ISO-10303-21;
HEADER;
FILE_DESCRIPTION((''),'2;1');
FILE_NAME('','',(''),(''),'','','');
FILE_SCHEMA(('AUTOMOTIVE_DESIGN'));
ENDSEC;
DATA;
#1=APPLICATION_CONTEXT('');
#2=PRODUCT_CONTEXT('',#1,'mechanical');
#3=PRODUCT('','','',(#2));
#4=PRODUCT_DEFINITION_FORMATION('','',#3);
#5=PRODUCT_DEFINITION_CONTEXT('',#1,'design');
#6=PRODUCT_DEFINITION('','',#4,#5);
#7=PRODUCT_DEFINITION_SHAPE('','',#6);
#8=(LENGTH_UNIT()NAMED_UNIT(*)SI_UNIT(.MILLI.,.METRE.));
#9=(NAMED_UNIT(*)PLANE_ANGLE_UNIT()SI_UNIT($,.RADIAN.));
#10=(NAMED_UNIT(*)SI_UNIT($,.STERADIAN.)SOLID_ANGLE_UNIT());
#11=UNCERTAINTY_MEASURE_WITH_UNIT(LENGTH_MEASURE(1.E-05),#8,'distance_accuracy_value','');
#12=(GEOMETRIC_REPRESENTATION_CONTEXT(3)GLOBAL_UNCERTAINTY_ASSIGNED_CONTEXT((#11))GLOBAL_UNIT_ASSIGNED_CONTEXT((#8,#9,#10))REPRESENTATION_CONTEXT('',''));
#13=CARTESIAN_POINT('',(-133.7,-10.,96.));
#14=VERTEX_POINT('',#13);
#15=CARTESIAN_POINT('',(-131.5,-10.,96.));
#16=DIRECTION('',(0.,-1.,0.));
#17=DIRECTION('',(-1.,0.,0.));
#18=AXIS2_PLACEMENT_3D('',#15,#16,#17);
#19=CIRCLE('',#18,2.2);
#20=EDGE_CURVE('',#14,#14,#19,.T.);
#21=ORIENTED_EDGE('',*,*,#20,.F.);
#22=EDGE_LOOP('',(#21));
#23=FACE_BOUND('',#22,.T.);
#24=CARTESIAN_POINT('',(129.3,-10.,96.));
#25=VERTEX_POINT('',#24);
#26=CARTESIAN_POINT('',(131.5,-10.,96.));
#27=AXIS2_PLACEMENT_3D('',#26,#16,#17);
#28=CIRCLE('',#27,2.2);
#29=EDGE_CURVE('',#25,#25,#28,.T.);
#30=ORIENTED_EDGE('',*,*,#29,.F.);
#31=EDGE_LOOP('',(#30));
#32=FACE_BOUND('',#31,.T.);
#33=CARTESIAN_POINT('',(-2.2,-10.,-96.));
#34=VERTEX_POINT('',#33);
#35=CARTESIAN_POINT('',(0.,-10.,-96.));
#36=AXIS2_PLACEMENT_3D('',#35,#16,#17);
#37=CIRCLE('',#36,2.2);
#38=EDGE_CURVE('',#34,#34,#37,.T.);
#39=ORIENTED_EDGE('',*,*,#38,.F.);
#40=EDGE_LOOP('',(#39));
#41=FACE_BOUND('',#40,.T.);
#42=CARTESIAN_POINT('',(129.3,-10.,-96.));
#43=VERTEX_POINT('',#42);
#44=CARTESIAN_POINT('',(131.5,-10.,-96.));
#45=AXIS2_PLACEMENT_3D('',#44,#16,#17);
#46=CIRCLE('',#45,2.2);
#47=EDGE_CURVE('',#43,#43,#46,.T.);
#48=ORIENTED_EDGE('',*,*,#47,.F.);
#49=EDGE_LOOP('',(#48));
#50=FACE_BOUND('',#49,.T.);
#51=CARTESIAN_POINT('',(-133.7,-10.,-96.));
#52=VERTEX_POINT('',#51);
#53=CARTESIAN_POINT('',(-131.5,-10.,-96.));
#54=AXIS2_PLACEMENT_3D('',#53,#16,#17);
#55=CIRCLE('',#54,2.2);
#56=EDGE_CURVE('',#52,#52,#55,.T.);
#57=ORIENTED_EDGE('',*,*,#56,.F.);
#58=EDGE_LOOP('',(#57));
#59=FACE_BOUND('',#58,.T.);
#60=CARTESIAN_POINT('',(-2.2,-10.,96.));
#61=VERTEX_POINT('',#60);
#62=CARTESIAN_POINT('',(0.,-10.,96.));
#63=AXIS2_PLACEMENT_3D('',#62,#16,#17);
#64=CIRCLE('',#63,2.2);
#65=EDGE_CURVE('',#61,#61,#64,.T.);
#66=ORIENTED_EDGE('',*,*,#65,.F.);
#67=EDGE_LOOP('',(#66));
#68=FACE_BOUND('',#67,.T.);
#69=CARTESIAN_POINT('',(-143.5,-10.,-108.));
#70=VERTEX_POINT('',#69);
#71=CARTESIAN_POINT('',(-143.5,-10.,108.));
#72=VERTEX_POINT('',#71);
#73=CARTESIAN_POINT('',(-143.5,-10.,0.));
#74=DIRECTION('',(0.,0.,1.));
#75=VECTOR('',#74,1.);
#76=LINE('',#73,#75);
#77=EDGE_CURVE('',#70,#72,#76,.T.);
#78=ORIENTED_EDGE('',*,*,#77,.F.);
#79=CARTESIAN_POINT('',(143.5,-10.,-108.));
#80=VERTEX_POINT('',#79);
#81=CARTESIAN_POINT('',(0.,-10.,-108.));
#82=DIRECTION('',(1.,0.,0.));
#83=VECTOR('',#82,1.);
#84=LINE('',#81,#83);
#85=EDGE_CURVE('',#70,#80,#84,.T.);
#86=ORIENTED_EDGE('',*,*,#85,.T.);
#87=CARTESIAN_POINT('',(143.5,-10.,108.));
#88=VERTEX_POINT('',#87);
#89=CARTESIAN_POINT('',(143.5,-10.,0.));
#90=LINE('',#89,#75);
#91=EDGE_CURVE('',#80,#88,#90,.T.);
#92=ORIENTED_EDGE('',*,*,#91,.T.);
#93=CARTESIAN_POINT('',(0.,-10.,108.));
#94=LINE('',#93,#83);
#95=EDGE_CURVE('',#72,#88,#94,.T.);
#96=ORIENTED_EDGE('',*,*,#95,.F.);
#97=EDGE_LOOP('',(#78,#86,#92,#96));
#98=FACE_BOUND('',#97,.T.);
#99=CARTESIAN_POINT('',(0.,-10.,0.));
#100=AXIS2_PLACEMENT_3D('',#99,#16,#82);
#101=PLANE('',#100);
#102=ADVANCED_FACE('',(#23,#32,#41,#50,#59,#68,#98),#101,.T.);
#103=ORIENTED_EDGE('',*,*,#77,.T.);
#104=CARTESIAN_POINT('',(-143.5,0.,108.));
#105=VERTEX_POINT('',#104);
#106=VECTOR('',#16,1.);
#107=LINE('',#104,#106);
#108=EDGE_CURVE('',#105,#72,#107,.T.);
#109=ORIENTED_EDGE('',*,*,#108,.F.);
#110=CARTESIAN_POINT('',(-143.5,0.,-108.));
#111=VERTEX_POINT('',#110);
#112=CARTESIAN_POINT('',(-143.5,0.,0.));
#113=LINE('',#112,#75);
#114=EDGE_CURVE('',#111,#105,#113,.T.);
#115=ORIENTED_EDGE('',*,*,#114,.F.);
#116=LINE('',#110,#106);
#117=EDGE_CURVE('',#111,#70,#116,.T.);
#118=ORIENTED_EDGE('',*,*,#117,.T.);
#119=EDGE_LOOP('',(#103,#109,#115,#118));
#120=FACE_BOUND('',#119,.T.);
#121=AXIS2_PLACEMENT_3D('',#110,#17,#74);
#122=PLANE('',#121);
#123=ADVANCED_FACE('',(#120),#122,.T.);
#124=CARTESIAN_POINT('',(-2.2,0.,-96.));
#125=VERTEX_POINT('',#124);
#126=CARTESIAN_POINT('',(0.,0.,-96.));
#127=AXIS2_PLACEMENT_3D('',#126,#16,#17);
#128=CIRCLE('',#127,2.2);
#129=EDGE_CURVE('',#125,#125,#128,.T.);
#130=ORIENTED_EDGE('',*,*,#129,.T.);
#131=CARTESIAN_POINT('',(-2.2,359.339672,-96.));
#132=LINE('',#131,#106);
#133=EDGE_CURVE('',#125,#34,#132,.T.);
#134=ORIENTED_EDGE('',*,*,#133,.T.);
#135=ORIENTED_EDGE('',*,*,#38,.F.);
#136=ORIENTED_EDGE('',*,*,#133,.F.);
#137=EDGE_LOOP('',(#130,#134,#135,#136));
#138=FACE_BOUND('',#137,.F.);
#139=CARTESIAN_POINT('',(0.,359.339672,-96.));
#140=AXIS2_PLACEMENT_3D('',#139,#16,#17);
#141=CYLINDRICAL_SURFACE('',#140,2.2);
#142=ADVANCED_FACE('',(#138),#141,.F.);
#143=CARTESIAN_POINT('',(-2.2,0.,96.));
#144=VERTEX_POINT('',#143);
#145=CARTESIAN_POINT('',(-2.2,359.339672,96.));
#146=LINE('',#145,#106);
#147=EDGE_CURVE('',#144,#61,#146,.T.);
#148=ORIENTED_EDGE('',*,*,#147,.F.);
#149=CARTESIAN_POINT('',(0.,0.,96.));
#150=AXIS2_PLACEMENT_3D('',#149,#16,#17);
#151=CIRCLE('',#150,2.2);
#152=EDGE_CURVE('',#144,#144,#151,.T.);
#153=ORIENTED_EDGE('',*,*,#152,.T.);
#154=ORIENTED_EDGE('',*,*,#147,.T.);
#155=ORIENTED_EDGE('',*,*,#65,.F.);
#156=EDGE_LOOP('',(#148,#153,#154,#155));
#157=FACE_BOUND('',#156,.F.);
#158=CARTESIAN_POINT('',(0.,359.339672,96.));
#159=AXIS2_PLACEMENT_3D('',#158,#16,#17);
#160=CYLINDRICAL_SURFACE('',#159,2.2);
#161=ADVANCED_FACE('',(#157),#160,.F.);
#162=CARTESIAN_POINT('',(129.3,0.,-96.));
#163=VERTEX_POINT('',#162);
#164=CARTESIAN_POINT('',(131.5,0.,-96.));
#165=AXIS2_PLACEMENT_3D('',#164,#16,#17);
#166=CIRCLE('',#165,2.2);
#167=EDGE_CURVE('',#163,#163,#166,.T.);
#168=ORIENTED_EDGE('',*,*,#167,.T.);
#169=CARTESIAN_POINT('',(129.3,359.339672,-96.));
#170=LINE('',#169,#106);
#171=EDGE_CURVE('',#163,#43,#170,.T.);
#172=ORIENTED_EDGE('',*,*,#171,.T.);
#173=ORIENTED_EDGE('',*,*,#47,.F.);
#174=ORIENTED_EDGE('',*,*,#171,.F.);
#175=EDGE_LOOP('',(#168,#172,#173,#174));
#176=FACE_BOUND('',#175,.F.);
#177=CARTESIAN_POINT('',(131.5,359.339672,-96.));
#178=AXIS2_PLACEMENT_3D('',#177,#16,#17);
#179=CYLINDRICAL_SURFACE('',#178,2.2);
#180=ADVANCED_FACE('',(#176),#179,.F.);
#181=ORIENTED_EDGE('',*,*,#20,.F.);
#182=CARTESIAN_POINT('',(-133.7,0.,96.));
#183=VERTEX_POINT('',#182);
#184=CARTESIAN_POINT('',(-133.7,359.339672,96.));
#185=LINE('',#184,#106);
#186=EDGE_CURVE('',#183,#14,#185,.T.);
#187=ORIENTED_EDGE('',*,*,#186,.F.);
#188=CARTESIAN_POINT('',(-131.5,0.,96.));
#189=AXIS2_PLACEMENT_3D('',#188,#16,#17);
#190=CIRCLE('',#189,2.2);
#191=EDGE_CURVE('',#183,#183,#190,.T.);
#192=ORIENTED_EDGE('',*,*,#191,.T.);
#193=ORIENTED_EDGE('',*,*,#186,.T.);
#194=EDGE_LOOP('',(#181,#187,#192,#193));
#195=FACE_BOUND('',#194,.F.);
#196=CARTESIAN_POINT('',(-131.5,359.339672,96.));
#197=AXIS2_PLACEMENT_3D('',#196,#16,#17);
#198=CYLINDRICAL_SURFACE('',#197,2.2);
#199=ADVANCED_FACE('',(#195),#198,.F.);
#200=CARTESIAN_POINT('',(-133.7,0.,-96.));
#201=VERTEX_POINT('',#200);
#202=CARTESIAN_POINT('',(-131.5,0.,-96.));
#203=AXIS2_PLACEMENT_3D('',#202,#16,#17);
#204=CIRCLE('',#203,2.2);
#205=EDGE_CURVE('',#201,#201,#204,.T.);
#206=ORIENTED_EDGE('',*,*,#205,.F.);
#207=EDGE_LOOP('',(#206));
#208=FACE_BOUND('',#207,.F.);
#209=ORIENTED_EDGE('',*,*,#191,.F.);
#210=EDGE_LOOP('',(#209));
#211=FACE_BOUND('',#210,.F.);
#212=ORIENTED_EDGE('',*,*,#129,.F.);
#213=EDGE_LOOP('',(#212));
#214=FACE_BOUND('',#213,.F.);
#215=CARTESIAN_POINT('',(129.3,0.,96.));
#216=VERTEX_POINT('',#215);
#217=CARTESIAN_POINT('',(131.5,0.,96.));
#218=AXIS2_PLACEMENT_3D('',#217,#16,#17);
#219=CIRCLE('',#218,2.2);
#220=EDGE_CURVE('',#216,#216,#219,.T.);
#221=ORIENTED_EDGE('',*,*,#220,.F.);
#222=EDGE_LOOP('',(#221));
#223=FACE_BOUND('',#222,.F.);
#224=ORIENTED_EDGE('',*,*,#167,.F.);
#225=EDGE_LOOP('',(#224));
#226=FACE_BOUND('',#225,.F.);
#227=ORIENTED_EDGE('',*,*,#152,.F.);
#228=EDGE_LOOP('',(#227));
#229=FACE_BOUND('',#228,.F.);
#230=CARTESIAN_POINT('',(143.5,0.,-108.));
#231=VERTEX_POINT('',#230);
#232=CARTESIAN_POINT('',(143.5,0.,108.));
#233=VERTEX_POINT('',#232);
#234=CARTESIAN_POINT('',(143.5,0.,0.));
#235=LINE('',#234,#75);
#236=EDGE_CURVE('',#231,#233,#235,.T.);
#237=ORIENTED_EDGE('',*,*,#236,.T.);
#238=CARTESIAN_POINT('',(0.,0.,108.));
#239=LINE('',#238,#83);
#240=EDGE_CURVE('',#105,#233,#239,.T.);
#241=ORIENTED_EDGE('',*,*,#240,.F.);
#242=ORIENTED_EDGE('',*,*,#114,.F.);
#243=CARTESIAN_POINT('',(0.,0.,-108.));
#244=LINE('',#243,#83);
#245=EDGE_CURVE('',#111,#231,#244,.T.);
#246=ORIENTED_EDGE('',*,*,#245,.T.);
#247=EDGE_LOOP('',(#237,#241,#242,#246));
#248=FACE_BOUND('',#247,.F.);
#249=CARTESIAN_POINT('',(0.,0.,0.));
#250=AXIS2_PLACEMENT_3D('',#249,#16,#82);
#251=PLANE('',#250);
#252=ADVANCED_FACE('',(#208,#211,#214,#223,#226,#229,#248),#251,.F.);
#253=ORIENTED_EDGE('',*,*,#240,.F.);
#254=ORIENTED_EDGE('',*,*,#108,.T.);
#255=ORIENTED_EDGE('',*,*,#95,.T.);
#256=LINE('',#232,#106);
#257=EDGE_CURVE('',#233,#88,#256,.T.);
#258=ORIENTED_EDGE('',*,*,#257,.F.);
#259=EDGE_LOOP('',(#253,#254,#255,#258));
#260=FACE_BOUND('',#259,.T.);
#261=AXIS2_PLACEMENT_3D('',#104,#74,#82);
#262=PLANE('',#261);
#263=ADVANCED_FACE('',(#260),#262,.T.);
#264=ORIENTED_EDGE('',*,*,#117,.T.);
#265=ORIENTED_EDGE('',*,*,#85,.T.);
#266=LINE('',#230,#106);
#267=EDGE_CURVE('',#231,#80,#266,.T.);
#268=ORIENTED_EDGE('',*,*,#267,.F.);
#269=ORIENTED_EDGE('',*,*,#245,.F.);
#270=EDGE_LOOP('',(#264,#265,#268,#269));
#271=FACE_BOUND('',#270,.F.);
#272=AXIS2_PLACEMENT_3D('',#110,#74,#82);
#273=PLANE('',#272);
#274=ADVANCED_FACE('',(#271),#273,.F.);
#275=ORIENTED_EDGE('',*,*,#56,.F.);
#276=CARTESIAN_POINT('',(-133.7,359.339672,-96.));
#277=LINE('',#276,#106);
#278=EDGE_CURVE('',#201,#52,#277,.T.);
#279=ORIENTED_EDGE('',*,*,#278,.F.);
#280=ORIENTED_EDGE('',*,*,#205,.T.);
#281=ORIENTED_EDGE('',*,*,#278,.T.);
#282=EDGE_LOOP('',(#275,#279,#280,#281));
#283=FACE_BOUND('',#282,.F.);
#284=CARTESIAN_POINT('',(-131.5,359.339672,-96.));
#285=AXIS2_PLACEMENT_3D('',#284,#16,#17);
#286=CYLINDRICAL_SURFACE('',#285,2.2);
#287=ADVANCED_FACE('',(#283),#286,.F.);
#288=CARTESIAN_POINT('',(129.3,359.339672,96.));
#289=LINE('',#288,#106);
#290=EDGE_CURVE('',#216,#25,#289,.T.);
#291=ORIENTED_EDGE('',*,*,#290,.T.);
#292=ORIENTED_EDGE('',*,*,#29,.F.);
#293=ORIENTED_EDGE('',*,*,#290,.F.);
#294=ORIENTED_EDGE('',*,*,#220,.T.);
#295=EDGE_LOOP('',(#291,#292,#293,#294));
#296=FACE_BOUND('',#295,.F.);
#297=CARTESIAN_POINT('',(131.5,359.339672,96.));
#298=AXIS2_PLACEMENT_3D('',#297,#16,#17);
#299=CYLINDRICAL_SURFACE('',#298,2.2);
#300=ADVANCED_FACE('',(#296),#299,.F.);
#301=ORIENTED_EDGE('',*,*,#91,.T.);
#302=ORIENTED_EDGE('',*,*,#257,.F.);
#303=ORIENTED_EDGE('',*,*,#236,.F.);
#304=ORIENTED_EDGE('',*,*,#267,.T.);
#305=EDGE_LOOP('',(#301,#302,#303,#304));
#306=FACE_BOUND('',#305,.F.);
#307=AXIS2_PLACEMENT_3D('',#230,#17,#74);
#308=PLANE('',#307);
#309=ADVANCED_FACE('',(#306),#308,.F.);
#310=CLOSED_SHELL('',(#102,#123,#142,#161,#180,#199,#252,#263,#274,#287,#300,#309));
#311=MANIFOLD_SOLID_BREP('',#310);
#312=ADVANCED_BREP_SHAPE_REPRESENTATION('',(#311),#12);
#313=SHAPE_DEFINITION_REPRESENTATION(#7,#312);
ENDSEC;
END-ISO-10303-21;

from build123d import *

# Parameters (mm, degrees)
F0_W     = 287
F0_H     = 216
F1_DEPTH = 10
F2_D     = 4.4


with BuildPart() as f1:
    # F0 (on Front) → F1 (new body)
    with BuildSketch(Plane.XZ):
        Rectangle(F0_W, F0_H)
    extrude(amount=F1_DEPTH)

    # F2 (through all)
    with Locations(Plane(origin=(0, 0, 0), x_dir=(1, 0, 0), z_dir=(0, 1, 0))):
        with Locations((0, -96), (-131.5, -96), (131.5, -96), (131.5, 96), (-131.5, 96), (0, 96)):
            Hole(F2_D / 2)


solid = f1.part
